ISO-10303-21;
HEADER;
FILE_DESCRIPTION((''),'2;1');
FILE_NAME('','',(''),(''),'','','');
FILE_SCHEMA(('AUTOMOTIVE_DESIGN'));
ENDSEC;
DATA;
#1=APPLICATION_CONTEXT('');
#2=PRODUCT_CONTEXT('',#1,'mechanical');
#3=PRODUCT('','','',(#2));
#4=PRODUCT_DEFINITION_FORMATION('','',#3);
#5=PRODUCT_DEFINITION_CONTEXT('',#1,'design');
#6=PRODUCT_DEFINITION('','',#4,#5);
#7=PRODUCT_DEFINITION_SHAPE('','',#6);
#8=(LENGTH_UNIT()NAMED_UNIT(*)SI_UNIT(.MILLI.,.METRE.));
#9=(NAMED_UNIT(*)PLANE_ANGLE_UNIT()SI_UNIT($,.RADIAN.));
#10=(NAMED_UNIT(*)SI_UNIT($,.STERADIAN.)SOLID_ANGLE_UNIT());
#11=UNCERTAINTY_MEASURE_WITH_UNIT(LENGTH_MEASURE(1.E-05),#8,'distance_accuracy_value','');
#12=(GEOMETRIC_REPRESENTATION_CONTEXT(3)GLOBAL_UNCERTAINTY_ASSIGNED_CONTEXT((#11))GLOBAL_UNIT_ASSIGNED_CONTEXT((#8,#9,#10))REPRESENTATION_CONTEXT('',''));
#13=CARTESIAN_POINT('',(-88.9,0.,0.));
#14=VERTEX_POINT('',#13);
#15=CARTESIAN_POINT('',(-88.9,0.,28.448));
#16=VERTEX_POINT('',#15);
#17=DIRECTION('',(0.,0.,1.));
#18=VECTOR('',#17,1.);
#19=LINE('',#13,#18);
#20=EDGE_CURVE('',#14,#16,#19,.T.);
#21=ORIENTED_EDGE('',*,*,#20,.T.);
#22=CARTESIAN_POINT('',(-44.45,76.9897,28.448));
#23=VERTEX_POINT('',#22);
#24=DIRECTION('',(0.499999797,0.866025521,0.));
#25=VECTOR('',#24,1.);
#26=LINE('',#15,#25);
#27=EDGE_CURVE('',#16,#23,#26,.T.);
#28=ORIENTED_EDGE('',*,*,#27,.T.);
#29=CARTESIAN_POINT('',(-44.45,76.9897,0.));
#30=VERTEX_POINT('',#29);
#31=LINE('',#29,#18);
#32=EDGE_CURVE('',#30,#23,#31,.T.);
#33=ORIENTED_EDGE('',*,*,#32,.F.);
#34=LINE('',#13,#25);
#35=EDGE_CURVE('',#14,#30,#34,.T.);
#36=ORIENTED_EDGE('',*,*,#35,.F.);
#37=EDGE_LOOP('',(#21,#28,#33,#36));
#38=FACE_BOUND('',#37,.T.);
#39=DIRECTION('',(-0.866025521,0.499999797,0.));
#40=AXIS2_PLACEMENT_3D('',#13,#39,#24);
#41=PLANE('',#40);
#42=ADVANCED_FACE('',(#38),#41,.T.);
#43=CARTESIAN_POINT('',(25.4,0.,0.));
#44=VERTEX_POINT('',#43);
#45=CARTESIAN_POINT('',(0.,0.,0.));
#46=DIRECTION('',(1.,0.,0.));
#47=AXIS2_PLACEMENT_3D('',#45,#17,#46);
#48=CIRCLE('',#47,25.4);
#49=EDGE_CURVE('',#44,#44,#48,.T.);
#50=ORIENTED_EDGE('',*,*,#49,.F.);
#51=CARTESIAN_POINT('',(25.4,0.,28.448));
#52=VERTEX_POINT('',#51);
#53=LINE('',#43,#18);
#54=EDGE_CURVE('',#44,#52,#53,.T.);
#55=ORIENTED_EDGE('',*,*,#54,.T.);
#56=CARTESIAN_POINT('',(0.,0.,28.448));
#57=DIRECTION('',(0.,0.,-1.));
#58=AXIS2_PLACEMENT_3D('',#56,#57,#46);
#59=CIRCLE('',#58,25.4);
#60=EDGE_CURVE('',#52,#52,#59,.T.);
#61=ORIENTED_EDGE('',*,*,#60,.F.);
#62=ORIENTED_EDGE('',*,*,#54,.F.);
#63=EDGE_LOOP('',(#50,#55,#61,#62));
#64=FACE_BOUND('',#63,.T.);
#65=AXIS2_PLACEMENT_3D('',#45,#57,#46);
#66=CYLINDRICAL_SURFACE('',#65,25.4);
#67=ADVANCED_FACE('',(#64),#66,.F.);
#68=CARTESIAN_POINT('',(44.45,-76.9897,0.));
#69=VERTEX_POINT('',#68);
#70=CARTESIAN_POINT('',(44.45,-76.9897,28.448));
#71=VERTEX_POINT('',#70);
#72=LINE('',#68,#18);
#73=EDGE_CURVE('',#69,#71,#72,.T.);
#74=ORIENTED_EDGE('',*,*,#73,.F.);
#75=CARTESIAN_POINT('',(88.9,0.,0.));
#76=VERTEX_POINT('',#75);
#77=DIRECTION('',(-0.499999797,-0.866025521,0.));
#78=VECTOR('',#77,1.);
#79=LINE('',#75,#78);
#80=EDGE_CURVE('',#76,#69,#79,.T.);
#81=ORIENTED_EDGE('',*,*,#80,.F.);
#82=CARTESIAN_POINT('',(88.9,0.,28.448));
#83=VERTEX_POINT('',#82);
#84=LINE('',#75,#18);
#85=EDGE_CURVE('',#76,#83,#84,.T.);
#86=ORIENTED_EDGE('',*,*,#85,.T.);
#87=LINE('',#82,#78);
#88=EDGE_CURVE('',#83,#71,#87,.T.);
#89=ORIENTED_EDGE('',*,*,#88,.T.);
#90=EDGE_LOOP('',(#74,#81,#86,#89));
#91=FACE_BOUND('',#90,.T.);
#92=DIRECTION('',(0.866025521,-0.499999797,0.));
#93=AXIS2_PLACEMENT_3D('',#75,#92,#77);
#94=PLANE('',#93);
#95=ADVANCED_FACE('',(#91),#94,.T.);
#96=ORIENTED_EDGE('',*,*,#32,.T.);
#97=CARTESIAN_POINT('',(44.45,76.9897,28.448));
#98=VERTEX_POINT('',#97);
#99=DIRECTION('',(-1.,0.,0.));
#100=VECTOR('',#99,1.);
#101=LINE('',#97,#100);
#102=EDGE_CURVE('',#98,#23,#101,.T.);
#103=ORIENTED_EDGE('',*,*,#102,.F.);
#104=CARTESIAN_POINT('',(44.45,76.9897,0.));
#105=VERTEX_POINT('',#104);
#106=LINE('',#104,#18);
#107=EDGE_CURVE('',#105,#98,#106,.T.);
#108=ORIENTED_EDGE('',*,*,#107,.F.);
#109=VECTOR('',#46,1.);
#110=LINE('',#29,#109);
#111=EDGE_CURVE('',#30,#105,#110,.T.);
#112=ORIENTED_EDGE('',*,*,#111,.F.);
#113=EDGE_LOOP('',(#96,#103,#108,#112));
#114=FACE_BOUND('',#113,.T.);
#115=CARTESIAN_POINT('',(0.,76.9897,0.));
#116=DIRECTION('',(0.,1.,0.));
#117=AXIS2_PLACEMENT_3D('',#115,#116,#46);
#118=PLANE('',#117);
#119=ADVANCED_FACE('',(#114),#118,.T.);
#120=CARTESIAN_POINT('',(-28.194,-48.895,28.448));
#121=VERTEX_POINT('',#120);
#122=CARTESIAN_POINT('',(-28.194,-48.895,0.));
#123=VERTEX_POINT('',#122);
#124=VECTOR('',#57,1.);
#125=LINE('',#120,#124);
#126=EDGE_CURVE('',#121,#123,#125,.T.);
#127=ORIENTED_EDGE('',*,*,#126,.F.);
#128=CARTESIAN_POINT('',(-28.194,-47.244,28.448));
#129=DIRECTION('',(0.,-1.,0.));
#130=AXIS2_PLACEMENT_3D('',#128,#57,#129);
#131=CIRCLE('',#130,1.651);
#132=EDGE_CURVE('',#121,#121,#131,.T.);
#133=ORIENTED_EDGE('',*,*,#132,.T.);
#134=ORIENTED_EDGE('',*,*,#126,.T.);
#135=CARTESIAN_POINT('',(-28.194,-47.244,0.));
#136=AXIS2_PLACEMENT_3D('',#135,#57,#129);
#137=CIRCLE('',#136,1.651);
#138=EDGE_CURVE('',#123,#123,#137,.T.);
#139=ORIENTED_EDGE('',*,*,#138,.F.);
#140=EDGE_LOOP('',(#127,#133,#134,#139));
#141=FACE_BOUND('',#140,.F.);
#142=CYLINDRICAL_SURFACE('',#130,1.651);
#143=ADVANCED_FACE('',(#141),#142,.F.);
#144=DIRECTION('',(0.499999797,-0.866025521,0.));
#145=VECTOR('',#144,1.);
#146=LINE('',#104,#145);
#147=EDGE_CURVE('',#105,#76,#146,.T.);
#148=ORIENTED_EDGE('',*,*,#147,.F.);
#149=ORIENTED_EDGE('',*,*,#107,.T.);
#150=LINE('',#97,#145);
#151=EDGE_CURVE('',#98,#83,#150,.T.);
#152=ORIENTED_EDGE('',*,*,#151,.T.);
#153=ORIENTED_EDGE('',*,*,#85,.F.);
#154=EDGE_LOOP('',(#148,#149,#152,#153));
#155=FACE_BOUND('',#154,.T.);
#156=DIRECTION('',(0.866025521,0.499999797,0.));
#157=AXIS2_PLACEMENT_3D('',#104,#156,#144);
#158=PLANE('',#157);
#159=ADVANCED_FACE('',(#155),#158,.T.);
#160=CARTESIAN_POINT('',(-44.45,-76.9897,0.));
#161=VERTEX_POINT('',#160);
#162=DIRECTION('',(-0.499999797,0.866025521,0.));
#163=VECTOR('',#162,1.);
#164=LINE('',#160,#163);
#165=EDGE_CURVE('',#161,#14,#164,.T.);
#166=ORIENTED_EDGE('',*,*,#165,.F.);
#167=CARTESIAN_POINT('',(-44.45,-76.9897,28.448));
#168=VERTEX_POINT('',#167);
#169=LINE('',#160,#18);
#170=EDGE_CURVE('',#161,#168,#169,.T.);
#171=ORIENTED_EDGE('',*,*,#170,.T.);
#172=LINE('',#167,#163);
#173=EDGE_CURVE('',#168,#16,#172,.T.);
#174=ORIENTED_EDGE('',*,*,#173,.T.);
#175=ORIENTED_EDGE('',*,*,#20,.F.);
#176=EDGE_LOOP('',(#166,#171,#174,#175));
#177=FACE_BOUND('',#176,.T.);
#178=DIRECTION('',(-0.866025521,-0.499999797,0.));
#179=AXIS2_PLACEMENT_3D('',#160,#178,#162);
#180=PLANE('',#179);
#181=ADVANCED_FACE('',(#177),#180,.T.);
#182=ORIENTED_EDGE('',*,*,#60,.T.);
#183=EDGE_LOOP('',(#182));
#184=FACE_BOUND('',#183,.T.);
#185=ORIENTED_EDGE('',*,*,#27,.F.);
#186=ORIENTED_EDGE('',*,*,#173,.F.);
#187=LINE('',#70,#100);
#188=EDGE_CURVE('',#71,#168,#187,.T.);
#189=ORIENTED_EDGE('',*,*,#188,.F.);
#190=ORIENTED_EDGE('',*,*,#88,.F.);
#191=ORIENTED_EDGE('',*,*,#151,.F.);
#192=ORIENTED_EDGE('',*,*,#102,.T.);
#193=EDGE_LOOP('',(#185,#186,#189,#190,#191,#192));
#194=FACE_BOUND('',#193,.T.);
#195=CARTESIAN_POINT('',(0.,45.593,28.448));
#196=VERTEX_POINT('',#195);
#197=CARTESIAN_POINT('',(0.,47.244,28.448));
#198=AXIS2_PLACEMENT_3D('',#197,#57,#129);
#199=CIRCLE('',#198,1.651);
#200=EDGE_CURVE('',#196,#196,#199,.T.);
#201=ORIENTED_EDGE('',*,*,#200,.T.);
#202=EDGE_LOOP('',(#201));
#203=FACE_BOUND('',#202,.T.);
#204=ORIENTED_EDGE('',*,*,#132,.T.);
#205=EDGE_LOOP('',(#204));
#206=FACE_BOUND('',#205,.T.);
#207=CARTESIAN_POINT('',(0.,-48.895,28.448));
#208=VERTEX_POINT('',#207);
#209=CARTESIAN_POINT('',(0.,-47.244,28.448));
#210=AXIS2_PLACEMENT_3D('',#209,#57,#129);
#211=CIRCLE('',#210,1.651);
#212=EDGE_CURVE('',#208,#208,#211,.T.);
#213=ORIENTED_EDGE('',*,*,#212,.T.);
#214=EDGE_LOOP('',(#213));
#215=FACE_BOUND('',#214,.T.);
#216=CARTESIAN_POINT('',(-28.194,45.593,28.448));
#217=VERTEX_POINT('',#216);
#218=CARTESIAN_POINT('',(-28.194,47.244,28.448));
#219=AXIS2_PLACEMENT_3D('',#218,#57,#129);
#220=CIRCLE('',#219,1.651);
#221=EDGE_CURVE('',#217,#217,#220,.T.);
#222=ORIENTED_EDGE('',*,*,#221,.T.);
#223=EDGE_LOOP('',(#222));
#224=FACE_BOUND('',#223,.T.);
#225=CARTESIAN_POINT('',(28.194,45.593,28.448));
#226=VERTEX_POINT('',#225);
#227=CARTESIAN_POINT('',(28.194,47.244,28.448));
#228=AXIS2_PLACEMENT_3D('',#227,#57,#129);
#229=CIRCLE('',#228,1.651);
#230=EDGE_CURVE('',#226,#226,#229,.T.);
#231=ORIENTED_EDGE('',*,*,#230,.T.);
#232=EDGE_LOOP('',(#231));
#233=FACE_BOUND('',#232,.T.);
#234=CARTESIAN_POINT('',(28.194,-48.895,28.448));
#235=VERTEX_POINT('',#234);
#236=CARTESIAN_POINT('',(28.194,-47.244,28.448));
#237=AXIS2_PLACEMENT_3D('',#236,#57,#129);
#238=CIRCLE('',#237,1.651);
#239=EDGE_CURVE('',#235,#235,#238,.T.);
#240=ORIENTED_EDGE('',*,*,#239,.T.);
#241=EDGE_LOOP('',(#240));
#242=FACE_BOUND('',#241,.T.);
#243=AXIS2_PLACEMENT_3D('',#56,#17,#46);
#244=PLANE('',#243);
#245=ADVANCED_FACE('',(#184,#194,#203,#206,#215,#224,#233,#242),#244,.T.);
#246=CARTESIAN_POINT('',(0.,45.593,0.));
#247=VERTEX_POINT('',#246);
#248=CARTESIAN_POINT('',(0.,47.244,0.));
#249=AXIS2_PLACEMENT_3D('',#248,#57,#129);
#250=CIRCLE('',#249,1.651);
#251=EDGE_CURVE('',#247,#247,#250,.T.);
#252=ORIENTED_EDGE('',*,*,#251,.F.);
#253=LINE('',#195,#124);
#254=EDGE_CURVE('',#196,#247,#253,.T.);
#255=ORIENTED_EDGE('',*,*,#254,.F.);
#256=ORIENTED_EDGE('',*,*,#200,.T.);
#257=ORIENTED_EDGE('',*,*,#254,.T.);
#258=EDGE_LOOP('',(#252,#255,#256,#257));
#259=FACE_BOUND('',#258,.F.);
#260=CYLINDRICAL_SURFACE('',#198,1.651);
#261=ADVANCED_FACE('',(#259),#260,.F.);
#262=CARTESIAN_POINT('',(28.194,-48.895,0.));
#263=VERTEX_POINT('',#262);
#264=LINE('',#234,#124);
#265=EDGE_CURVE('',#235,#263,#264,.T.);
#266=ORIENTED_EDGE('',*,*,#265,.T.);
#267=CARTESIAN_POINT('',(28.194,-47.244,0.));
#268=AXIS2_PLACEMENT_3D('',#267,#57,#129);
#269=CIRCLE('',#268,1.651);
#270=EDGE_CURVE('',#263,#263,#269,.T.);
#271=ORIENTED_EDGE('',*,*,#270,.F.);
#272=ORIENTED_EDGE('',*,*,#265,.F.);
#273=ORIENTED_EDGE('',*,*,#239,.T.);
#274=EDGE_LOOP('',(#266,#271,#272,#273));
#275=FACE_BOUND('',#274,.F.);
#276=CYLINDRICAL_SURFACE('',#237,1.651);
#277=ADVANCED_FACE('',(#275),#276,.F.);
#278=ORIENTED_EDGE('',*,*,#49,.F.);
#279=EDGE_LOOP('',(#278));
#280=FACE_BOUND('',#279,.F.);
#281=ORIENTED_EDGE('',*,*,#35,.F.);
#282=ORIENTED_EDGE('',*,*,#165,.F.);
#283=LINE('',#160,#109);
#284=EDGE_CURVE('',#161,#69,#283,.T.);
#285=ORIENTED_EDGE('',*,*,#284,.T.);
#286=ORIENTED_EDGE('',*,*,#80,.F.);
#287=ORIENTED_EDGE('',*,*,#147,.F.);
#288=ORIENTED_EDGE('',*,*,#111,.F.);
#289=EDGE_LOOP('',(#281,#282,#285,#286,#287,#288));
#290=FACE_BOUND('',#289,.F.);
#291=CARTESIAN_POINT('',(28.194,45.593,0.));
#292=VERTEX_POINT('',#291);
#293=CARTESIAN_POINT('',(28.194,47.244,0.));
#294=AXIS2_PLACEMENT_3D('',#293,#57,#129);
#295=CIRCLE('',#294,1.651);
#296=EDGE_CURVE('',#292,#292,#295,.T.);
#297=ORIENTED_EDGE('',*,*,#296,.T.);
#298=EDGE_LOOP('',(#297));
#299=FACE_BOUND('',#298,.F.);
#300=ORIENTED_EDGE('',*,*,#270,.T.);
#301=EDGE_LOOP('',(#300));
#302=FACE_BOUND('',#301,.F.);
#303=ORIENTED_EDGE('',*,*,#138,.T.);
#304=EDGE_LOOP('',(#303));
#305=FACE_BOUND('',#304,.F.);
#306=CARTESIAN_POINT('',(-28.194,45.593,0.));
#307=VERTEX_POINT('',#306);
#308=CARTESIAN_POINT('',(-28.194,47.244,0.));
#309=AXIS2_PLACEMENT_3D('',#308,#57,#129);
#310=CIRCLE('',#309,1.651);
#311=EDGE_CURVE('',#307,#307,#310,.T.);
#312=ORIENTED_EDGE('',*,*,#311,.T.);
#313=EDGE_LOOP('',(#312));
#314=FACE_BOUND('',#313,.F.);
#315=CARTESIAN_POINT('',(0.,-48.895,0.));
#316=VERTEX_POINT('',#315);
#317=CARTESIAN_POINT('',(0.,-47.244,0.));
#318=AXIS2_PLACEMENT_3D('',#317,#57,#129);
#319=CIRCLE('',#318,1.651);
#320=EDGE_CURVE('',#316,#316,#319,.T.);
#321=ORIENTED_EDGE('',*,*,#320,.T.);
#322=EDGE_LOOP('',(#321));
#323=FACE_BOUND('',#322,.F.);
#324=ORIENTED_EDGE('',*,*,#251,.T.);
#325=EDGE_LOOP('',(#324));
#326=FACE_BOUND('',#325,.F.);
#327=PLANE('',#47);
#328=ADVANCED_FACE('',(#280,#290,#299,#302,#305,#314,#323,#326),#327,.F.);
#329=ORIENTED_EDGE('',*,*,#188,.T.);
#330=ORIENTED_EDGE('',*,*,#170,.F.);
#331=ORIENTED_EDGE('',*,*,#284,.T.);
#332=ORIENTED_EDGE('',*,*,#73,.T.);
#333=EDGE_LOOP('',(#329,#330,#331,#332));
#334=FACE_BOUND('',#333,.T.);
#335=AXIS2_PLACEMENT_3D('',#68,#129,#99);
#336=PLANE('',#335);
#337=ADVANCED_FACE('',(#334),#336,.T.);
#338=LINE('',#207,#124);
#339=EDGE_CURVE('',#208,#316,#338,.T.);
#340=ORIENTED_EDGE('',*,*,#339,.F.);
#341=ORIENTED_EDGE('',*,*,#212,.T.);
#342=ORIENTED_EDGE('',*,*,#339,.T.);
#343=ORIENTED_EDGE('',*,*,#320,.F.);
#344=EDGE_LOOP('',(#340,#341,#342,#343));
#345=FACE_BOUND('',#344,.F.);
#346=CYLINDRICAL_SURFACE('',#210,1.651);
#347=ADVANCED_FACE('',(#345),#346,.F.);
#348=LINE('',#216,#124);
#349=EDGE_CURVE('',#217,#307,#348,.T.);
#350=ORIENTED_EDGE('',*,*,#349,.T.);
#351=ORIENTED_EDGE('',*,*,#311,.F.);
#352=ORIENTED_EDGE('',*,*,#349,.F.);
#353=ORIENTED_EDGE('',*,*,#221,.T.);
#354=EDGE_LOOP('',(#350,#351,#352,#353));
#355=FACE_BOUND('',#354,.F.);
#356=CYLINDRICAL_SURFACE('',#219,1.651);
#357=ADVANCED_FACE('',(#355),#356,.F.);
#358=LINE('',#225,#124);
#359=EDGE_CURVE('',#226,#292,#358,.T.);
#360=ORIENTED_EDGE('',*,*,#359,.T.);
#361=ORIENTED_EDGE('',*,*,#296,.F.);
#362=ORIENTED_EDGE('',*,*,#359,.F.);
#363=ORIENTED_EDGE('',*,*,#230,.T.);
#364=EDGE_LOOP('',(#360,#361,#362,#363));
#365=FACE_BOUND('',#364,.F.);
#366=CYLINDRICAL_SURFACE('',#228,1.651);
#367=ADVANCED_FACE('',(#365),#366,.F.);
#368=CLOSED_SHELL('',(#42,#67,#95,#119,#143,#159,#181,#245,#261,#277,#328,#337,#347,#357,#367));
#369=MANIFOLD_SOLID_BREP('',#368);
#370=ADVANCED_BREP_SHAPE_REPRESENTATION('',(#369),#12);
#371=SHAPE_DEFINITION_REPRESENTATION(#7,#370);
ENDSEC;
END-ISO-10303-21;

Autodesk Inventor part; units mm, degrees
ref_plane "YZ Plane" through (0, 0, 0) normal (1, 0, 0) x (0, 1, 0)
ref_plane "XZ Plane" through (0, 0, 0) normal (0, 1, 0) x (-1, 0, 0)
ref_plane "XY Plane" through (0, 0, 0) normal (0, 0, 1) x (1, 0, 0)
sketch "Sketch1" plane through (0, 0, 0) normal (0, 0, 1) x (1, 0, 0)
  line L0 (44.45, -76.9897) -> (-44.45, -76.9897)
  line L1 (-44.45, -76.9897) -> (-88.9, 0)
  line L2 (-88.9, 0) -> (-44.45, 76.9897)
  line L3 (-44.45, 76.9897) -> (44.45, 76.9897)
  line L4 (44.45, 76.9897) -> (88.9, 0)
  line L5 (88.9, 0) -> (44.45, -76.9897)
  circle A0 centre (0, 0) radius 25.4
  line L6 (0, 107.7855) -> (0, -107.7855) projected
  line L7 (-124.46, 0) -> (124.46, 0) projected
  point P0 (0, 0)
  point P1 (0, 0)
  dimension "d1" = 88.9
  dimension "d4" = 50.8
  dimension "d7" = 88.9
  dimension "d8" = 88.9
  dimension "d9" = 88.9
  dimension "d10" = 120
  dimension "d11" = 120
  dimension "d12" = 120
  dimension "d13" = 120
  dimension "d14" = 120
  dimension "d15" = 44.45
extrude "Extrusion1" add sketch "Sketch1" along normal blind 28.448
sketch "Sketch2" plane through (0, 0, 0) normal (0, 0, -1) x (-1, 0, 0)
  line L0 (-44.45, -76.9897) -> (44.45, -76.9897) projected
  line L1 (44.45, -76.9897) -> (88.9, 0) projected
  line L2 (88.9, 0) -> (44.45, 76.9897) projected
  line L3 (44.45, 76.9897) -> (-44.45, 76.9897) projected
  line L4 (-44.45, 76.9897) -> (-88.9, 0) projected
  line L5 (-88.9, 0) -> (-44.45, -76.9897) projected
  circle A0 centre (0, 0) radius 25.4 projected
  point P0 (0, 0)
  point P1 (0, 0)
extrude "Extrusion2" cut sketch "Sketch1" along normal blind 44.45 contours L6 L7 A0 | A0 L7 L6 | L7 L6 A0 | A0 L6 L7
sketch "Sketch3" plane through (0, 0, 28.448) normal (0, 0, 1) x (1, 0, 0)
  line L0 (0, 107.7855) -> (0, -107.7855) projected
  line L1 (-124.46, 0) -> (124.46, 0) projected
  line L2 (28.194, 47.244) -> (28.194, -47.244) construction
  line L3 (28.194, -47.244) -> (-28.194, -47.244) construction
  line L4 (-28.194, -47.244) -> (-28.194, 47.244) construction
  line L5 (-28.194, 47.244) -> (28.194, 47.244) construction
  line L6 (28.194, 47.244) -> (-28.194, -47.244) construction
  line L7 (28.194, -47.244) -> (-28.194, 47.244) construction
  point P0 (0, 0)
  point P1 (0, 47.244)
  point P2 (0, -47.244)
  dimension "d16" = 56.388
  dimension "d17" = 94.488
  dimension "d18" = 0
hole "Hole1" at (-28.194, 47.244, 28.448) at (28.194, 47.244, 28.448) at (28.194, -47.244, 28.448) at (-28.194, -47.244, 28.448) at (0, 47.244, 28.448) at (0, -47.244, 28.448) direction (0, 0, -1) diameter 3.302 end through all thread size "8-32 UNC" class "2B" standard "ANSI Unified Screw Threads"
properties part number "JF-AT-TM0009" material "Acrylic, Clear"
